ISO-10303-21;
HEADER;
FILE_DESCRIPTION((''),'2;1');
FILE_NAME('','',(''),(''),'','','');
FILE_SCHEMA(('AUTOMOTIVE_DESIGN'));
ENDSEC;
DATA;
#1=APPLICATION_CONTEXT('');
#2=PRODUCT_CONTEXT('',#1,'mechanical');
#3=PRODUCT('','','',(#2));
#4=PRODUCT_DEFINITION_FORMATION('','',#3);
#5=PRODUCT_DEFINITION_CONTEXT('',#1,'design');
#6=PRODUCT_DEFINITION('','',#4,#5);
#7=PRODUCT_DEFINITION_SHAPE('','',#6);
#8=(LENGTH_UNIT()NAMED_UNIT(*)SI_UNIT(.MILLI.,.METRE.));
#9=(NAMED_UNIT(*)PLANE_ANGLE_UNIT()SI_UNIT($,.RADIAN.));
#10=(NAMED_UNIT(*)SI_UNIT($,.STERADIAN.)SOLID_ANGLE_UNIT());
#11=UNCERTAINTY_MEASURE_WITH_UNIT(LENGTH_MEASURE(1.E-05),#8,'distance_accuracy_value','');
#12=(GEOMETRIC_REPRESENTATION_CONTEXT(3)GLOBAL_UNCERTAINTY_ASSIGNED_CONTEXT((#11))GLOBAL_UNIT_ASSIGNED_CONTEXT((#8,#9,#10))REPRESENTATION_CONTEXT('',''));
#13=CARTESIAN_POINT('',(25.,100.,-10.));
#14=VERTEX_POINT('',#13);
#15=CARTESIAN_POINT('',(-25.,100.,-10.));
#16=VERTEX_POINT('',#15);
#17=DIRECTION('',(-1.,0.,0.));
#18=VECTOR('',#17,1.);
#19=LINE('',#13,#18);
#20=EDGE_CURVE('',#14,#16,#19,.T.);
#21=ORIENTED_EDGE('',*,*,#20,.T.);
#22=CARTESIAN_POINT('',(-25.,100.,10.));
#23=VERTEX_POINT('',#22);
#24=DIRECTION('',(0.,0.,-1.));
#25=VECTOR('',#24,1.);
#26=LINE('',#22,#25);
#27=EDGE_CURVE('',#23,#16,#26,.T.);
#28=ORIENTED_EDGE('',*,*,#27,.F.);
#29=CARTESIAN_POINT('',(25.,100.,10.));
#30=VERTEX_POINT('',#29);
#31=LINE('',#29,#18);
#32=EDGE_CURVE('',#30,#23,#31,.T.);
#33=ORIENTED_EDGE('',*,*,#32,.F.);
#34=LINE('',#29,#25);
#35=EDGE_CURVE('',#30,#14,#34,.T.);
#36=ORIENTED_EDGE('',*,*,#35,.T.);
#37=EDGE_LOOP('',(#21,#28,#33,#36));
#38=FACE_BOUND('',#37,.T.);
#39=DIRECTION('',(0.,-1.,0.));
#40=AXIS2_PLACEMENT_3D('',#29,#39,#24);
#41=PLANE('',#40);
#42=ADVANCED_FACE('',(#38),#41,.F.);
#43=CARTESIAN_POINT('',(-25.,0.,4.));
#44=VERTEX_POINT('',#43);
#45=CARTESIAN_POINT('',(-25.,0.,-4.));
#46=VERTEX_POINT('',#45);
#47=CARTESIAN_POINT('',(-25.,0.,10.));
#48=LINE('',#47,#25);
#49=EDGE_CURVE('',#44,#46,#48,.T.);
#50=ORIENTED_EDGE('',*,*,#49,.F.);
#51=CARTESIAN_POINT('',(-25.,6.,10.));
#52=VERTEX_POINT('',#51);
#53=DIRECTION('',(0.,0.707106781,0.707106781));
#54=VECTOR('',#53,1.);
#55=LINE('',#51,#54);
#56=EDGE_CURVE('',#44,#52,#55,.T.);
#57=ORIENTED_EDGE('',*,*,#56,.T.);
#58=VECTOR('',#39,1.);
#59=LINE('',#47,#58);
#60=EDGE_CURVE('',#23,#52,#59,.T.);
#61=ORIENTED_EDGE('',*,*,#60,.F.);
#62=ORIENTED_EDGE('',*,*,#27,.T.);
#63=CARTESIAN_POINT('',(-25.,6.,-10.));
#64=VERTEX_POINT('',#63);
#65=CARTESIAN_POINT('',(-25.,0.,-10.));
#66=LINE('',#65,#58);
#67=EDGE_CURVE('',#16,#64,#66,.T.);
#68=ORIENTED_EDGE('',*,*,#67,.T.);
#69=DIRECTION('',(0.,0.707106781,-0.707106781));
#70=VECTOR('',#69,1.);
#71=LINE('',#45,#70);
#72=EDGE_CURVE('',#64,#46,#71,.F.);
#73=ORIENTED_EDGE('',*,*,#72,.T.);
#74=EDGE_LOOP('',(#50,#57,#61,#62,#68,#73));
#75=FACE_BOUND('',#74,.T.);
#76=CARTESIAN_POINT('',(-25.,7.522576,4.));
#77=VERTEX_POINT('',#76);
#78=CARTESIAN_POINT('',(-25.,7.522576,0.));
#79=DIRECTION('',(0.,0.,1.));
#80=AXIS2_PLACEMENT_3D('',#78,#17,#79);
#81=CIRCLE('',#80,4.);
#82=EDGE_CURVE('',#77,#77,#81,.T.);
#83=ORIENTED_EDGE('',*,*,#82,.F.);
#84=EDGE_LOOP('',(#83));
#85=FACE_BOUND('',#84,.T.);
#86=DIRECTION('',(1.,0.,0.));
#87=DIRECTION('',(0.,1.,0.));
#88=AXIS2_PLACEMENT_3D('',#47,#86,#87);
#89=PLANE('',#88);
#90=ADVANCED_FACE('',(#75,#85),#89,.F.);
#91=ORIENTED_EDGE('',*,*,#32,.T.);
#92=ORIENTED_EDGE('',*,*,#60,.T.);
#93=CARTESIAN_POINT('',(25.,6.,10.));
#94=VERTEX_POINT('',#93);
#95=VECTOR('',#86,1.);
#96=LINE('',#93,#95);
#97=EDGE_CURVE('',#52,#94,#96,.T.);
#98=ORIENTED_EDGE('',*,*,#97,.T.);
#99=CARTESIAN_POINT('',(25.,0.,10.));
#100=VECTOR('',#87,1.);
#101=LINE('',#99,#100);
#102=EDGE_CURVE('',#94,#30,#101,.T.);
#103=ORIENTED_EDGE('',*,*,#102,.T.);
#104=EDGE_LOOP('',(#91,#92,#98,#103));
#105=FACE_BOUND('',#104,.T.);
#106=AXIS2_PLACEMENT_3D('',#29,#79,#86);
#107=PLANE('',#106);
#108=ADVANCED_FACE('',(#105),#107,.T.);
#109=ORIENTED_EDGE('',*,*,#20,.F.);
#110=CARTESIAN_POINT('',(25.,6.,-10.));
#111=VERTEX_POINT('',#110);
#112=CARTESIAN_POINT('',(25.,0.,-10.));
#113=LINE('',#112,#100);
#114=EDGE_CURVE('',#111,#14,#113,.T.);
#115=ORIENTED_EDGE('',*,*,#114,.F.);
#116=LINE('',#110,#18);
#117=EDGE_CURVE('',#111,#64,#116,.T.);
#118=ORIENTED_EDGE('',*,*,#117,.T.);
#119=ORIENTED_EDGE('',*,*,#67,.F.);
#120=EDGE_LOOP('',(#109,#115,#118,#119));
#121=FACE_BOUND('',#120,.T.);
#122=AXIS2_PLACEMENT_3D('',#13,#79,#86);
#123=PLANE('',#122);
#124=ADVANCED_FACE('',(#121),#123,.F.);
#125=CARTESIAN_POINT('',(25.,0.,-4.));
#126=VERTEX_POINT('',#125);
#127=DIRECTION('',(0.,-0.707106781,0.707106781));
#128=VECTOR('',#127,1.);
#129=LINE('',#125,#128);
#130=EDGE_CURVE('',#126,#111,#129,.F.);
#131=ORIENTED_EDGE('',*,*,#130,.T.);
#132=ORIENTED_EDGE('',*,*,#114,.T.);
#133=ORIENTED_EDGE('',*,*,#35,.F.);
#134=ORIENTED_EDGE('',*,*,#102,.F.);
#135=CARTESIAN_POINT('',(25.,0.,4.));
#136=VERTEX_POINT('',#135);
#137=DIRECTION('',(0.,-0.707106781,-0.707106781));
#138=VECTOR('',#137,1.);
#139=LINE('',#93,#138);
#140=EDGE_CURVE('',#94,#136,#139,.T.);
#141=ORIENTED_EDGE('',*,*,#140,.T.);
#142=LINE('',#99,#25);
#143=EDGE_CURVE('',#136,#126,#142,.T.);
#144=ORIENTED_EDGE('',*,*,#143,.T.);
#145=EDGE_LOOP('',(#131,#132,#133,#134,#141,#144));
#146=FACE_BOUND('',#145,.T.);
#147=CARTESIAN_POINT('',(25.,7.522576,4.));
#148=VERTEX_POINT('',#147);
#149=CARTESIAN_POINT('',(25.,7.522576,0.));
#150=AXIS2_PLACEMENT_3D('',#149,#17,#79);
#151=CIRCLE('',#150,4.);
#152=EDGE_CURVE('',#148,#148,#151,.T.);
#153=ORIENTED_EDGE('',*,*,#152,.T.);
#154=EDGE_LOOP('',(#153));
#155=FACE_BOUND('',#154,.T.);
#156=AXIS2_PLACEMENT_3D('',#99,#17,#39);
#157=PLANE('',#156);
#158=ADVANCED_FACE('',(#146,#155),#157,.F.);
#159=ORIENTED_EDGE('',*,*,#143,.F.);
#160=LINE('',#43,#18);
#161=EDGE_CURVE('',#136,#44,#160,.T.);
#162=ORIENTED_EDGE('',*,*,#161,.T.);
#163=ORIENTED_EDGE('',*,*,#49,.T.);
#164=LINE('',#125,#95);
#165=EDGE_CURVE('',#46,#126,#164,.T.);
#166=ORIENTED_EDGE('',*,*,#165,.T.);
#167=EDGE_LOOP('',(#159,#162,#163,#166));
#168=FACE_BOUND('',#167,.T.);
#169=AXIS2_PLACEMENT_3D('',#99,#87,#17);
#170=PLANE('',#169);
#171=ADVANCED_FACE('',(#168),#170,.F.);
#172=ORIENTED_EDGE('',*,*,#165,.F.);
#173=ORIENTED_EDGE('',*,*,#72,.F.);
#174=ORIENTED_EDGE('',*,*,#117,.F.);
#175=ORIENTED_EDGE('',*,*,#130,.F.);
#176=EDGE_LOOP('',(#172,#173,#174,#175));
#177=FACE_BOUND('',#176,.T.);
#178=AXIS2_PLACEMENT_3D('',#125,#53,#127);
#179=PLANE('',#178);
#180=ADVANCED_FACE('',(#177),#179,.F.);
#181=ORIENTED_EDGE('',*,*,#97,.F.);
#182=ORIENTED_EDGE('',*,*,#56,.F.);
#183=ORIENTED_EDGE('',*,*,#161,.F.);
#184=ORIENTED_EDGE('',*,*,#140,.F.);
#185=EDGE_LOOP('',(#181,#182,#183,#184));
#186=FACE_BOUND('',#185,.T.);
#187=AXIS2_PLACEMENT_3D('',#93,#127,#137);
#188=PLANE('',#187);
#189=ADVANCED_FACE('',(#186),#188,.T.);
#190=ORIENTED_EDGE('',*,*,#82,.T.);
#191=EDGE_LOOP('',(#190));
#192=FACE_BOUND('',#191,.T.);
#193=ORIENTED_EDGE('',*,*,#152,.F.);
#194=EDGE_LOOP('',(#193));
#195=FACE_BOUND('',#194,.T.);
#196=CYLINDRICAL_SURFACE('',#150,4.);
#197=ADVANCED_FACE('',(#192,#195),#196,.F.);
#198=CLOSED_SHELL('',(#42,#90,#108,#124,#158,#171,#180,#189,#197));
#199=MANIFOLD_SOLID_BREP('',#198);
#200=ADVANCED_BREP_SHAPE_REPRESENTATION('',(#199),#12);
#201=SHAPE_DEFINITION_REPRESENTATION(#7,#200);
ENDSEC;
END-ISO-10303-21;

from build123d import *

# Parameters (mm, degrees)
SKETCH_1_W          = 50
SKETCH_1_H          = 100
EXTRUDE_1_DEPTH     = 10
SKETCH_2_R          = 4
CUT_EXTRUDE_1_DEPTH = 113.249721603
CHAMFER_1_SIZE      = 6


with BuildPart() as part:
    # 草图1 → 凸台-拉伸1 (new, symmetric)
    with BuildSketch(Plane.XY):
        with Locations((0, 50)):
            Rectangle(SKETCH_1_W, SKETCH_1_H)
    extrude(amount=EXTRUDE_1_DEPTH, both=True)

    # 草图2 → 切除-拉伸1 (cut, through all)
    with BuildSketch(Plane.ZY.offset(25)):
        with Locations((0, 7.522576351)):
            Circle(SKETCH_2_R)
    extrude(amount=-CUT_EXTRUDE_1_DEPTH, mode=Mode.SUBTRACT)

    # 倒角1
    chamfer_1_edges = [part.edges().sort_by_distance(p)[0] for p in [
        (0, 0, 10),
        (0, 0, -10),
    ]]
    chamfer(chamfer_1_edges, length=CHAMFER_1_SIZE)


solid = part.part
